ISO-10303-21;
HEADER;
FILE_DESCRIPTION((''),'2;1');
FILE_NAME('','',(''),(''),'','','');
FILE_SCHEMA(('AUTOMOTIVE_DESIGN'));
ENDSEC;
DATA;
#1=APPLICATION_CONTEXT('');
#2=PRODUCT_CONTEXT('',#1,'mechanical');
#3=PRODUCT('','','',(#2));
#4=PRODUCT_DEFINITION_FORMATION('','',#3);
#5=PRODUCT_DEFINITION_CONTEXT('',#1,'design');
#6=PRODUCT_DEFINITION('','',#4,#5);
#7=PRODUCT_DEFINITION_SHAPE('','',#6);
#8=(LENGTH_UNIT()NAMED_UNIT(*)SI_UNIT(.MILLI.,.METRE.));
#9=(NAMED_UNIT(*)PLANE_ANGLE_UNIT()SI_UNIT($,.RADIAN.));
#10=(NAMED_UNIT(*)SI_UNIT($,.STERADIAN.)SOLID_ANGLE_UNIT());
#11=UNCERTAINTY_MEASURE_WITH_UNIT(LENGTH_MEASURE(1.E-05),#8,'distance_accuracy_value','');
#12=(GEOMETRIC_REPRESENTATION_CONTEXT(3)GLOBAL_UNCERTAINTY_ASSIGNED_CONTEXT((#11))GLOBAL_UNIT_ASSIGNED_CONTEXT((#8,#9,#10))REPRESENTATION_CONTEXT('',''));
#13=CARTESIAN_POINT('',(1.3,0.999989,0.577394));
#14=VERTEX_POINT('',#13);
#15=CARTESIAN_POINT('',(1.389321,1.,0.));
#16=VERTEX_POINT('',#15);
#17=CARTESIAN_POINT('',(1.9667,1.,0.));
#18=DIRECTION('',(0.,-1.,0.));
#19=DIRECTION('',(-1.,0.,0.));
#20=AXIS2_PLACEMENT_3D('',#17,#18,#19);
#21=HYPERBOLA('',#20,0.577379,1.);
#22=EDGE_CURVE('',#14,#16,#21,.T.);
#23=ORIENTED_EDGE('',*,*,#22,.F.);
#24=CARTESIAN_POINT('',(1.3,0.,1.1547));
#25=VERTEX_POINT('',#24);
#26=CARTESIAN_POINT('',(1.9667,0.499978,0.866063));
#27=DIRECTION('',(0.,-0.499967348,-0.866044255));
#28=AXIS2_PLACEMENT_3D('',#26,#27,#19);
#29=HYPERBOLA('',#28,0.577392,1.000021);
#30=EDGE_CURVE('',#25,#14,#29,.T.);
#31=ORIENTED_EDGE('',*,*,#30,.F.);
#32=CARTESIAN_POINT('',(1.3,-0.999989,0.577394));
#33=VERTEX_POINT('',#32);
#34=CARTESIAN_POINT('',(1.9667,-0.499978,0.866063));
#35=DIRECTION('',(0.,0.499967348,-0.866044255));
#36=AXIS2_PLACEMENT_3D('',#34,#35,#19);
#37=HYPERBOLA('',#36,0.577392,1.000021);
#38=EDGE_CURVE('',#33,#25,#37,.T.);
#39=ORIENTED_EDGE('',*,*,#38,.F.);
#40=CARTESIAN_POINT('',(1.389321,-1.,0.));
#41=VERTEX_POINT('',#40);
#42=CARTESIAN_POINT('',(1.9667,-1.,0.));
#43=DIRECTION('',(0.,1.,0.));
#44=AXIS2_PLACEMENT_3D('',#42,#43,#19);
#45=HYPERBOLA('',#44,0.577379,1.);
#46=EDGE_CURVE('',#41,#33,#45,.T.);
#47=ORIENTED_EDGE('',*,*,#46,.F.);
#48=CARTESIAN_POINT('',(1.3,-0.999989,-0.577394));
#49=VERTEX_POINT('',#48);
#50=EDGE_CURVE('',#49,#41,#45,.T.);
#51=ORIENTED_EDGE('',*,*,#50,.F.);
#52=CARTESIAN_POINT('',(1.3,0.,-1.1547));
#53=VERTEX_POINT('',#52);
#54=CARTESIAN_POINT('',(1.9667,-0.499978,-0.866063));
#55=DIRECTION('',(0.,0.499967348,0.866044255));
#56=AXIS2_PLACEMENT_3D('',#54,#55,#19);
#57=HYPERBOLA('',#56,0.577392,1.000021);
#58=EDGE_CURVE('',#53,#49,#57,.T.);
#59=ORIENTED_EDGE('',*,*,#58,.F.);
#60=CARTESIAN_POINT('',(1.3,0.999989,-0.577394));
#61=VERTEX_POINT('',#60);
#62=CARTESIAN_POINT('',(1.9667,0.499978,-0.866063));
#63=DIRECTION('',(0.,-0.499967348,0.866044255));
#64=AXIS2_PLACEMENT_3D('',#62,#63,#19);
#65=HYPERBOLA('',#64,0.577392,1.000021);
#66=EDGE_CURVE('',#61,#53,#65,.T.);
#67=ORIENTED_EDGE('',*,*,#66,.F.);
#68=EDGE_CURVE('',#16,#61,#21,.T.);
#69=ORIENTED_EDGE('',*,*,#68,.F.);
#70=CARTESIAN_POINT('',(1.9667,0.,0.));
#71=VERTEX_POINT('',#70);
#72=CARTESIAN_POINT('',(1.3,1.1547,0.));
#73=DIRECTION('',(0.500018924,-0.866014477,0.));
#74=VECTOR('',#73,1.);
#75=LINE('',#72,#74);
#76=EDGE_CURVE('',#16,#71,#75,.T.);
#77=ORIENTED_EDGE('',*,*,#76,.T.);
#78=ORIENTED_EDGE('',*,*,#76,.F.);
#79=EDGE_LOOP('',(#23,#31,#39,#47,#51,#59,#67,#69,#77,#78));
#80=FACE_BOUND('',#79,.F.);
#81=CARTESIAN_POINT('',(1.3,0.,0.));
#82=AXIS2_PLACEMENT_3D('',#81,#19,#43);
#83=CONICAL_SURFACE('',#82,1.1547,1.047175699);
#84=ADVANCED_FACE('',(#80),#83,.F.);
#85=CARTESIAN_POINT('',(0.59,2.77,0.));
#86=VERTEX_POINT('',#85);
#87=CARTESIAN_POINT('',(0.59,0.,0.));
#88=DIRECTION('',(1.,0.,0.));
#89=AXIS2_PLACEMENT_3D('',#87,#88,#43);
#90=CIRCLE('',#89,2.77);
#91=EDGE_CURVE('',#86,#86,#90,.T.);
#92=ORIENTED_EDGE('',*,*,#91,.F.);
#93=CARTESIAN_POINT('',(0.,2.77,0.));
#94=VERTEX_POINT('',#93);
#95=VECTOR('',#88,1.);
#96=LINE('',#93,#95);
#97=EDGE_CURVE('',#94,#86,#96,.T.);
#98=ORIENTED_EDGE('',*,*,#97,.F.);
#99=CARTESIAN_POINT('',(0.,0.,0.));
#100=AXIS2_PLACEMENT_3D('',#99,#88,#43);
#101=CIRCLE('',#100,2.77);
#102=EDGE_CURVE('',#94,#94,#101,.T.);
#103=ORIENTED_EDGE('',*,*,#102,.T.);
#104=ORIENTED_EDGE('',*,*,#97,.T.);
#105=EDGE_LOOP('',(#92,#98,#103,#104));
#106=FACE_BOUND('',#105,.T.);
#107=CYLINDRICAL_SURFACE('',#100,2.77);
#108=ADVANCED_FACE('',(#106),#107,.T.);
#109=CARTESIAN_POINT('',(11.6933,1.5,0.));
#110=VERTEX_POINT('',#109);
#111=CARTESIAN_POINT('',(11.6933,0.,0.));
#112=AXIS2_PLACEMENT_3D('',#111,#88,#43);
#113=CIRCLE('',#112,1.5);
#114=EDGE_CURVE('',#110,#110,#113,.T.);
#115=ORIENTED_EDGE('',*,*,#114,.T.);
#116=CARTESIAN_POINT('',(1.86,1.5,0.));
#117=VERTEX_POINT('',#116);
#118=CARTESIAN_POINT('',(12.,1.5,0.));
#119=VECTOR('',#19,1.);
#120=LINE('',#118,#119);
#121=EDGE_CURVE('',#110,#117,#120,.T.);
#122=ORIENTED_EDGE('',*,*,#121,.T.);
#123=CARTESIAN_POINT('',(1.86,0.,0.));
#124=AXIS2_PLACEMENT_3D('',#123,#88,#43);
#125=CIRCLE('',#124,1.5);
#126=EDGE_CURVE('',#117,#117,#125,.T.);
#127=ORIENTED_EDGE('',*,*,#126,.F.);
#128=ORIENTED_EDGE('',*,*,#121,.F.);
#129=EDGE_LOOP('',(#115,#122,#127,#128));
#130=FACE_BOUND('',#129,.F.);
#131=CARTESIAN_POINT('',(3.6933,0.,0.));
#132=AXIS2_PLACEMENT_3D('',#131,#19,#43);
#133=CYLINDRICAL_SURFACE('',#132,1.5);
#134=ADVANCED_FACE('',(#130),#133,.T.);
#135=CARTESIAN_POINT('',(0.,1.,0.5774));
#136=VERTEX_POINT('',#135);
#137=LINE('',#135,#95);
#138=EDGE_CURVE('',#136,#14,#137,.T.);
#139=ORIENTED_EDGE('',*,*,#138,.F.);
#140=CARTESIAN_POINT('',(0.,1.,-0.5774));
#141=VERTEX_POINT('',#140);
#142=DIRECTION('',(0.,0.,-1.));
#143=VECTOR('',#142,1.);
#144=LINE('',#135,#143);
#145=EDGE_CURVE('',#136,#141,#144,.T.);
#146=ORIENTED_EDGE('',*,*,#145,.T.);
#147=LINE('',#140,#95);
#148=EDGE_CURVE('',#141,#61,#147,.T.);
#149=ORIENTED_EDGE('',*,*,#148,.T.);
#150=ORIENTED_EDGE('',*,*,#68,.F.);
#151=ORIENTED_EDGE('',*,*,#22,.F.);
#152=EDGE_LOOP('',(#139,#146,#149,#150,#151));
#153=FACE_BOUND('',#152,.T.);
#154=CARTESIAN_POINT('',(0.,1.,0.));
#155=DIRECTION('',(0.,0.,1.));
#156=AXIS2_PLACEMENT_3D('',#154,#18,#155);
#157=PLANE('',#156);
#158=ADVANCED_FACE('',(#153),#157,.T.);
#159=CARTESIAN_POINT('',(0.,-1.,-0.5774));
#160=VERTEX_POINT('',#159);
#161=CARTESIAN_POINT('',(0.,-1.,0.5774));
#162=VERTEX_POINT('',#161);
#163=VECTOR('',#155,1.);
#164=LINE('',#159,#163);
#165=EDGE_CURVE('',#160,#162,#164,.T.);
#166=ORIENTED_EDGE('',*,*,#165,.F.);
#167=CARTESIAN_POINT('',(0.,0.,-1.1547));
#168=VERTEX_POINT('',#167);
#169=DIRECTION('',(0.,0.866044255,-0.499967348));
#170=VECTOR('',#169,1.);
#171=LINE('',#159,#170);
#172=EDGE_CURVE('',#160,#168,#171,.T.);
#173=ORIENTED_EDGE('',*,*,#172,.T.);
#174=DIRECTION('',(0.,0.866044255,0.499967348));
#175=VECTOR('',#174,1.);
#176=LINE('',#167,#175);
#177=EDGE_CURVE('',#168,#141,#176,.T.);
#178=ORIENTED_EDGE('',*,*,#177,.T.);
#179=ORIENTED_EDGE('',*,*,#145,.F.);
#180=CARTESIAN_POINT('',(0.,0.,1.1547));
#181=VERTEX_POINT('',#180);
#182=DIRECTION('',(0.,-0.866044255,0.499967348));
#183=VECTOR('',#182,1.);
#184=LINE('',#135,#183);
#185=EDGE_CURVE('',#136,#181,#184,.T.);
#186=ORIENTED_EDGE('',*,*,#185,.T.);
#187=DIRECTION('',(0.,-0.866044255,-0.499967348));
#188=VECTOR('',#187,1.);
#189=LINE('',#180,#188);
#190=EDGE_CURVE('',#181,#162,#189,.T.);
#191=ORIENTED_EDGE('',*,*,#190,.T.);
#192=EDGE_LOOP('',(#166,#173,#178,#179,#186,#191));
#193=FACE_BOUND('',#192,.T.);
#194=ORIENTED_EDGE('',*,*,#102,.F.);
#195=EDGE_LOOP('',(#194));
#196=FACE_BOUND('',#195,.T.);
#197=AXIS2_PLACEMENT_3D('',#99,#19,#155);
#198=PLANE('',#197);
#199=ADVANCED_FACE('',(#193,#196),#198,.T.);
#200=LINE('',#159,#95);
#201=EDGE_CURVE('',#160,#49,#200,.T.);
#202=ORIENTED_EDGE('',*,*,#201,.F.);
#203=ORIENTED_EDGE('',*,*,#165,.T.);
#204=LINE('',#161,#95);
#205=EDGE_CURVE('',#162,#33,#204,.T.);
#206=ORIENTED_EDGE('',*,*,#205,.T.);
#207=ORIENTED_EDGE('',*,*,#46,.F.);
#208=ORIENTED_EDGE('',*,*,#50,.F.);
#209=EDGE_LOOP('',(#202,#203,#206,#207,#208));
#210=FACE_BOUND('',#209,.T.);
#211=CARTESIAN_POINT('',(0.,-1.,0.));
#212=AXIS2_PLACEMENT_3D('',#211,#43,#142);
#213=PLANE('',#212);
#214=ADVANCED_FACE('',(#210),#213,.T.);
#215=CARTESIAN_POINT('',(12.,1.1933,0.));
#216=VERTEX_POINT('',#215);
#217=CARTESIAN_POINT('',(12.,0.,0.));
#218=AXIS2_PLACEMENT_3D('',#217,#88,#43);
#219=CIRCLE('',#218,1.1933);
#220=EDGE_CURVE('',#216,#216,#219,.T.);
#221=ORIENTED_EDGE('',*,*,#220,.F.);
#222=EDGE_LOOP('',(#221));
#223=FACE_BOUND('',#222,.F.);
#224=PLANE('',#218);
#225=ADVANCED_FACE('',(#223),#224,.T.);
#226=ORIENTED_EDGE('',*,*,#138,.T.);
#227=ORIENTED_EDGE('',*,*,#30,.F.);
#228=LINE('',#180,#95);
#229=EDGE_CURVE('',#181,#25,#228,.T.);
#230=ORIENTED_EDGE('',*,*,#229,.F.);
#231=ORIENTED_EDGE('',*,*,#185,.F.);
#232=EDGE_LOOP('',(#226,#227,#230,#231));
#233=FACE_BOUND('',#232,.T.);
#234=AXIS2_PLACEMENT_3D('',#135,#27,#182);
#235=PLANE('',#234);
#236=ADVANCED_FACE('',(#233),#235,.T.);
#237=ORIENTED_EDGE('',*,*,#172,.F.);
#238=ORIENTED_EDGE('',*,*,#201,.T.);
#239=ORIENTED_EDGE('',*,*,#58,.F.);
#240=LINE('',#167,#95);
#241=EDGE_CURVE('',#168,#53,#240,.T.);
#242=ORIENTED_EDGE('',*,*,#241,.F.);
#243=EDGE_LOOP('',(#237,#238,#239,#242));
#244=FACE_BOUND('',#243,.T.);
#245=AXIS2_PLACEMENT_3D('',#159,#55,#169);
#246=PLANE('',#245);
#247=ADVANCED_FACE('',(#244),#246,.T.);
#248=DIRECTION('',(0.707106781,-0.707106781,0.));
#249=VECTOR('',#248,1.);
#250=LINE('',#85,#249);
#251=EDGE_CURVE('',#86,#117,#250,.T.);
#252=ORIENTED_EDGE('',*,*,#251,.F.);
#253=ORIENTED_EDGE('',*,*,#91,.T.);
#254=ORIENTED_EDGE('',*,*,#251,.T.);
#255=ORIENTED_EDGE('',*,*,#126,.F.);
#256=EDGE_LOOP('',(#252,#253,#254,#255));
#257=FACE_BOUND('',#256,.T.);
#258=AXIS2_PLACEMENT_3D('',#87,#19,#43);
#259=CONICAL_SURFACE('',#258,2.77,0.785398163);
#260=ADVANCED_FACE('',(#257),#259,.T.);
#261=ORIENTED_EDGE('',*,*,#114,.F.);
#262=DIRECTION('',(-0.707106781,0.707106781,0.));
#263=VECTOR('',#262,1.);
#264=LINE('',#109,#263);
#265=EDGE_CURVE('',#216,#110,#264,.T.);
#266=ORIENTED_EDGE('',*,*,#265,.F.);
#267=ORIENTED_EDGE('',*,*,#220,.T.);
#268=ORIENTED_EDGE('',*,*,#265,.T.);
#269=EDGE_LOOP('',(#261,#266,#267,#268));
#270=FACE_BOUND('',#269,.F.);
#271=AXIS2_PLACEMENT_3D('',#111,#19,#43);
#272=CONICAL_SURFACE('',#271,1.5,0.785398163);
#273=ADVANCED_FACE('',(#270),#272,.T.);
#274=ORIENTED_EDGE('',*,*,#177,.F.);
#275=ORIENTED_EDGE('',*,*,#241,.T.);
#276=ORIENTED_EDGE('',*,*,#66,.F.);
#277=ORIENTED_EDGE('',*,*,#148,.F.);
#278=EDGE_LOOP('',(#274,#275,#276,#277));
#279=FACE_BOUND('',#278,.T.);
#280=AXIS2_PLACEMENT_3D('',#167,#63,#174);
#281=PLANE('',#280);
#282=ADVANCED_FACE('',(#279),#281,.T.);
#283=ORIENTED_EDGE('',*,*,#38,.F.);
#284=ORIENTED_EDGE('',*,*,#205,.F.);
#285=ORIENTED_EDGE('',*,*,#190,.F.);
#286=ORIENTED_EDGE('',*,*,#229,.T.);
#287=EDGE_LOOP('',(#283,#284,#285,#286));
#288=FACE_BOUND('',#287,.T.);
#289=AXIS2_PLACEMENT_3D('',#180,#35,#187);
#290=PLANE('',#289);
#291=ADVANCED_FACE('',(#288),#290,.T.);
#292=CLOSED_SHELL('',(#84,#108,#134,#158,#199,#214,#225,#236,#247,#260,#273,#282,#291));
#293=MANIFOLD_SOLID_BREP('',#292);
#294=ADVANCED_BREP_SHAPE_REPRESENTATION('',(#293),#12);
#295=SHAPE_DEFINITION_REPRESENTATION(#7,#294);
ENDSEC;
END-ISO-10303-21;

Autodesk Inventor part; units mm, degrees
ref_plane "YZ Plane" through (0, 0, 0) normal (1, 0, 0) x (0, 1, 0)
ref_plane "XZ Plane" through (0, 0, 0) normal (0, 1, 0) x (-1, 0, 0)
sketch "Sketch1" plane through (0, 0, 0) normal (0, 0, 1) x (1, 0, 0)
  line L0 (12, 0) -> (12, 1.5)
  line L1 (12, 1.5) -> (4, 1.5)
  line L2 (4, 1.5) -> (3.6933, 1.5)
  line L3 (0, 2.77) -> (0, 1.1547)
  line L4 (0, 1.1547) -> (1.3, 1.1547)
  line L5 (1.3, 1.1547) -> (1.9667, 0)
  line L6 (1.9667, 0) -> (12, 0)
  line L7 (0, 2.77) -> (0.59, 2.77)
  line L8 (0.59, 2.77) -> (1.86, 1.5)
  line L9 (3.6933, 1.5) -> (1.86, 1.5)
  line L10 (4, 1.5) -> (1.86, 1.5) construction
  line L11 (1.86, 1.5) -> (1.86, 1.5)
  line L12 (-2.4, 0) -> (14.4, 0) projected
  line L13 (0, -0.554) -> (0, 3.324) projected
  dimension "d0" = 12
  dimension "d1" = 8
  dimension "d2" = 1.3
  dimension "d3" = 3
  dimension "d6" = 1.86
  dimension "d7" = 45
  dimension "d8" = 2.3094
  dimension "d9" = 60
  dimension "d10" = 5.54
  dimension "d11" = 3
  dimension "d12" = 0.3067
revolve "Body" add sketch "Sketch1" angle 360 about axis through (1.9667, 0, 0) along (1, 0, 0) contours L6 L5 L4 L3 L7 L8 L9 L2 L1 L0
sketch "Sketch2" plane through (0, 0, 0) normal (-1, 0, 0) x (0, 0, 1)
  circle A0 centre (0, 0) radius 1.1547 projected
  line L0 (0, -3.878) -> (0, 3.878) projected
  line L1 (-3.878, 0) -> (3.878, 0) projected
  line L2 (1.1547, 0) -> (0.5774, -1)
  line L3 (0.5774, -1) -> (-0.5774, -1)
  line L4 (-0.5774, -1) -> (-1.1547, 0)
  line L5 (-1.1547, 0) -> (-0.5774, 1)
  line L6 (-0.5774, 1) -> (0.5774, 1)
  line L7 (0.5774, 1) -> (1.1547, 0)
  point P0 (0, 1.1547)
extrude "Slot" add sketch "Sketch2" against normal up to next contours L7 A0 | A0 L2 | L6 L0 A0 | A0 L0 L3 | L0 L6 A0 | A0 L3 L0 | L4 A0 | A0 L5
thread "Thread" size "M3x0.5" class "6g" standard "ISO Metric profile" length 8
chamfer "Chamfer1" distance 0.3067 distance2 0.3067 1 edges at (12, -1.5, 0) measured on face at (12, -0.3743, -0.3316)
ref_plane "Work Plane1" through (104.775, 0, 0) normal (0, 0, -1) x (1, 0, 0)
equation "\"d0\" = NLG"
equation "\"d1\" = GEL"
equation "\"d2\" = INTI"
equation "\"d3\" = GD"
equation "\"d6\" = KOH"
equation "\"d7\" = 0.5 * SEWI"
equation "\"d8\" = 1.1547 * SW"
equation "\"d10\" = KOD"
equation "\"d11\" = BDM"
equation "\"d12\" = GAL"
equation "\"d15\" = GEL"
equation "\"d17\" = -0.5 * SPD + 0.5 * GD"
equation "\"d18\" = GUL"
equation "\"NLG\" = 12"
equation "\"INTI\" = 1.3"
equation "\"GEL\" = 8"
equation "\"GAL\" = 0.61345 * PTC"
equation "\"KOH\" = 1.86"
equation "\"KOD\" = 5.54"
equation "\"GUL\" = 0.61345 * PTC"
equation "\"SPD\" = NND - 1.2269 * PTC"
equation "\"BDM\" = NND"
equation "\"GD\" = NND"
equation "\"SEWI\" = 90deg"
equation "\"SW\" = 2"
equation "\"TOA\" = 30deg"
equation "\"GD1\" = THREADDIA - 1.2269 * PTC"
equation "\"EPV\" = 3.36"
equation "\"THREADDIA\" = 3"
equation "\"PTC\" = 0.5"
equation "\"NND\" = 3"
equation "\"E0\" = 2.31"
equation "\"THREADDESC\" = 1.2345"
properties part number "M3 x  12 - Socket Csk Screw (A2)" material "Stainless Steel"
